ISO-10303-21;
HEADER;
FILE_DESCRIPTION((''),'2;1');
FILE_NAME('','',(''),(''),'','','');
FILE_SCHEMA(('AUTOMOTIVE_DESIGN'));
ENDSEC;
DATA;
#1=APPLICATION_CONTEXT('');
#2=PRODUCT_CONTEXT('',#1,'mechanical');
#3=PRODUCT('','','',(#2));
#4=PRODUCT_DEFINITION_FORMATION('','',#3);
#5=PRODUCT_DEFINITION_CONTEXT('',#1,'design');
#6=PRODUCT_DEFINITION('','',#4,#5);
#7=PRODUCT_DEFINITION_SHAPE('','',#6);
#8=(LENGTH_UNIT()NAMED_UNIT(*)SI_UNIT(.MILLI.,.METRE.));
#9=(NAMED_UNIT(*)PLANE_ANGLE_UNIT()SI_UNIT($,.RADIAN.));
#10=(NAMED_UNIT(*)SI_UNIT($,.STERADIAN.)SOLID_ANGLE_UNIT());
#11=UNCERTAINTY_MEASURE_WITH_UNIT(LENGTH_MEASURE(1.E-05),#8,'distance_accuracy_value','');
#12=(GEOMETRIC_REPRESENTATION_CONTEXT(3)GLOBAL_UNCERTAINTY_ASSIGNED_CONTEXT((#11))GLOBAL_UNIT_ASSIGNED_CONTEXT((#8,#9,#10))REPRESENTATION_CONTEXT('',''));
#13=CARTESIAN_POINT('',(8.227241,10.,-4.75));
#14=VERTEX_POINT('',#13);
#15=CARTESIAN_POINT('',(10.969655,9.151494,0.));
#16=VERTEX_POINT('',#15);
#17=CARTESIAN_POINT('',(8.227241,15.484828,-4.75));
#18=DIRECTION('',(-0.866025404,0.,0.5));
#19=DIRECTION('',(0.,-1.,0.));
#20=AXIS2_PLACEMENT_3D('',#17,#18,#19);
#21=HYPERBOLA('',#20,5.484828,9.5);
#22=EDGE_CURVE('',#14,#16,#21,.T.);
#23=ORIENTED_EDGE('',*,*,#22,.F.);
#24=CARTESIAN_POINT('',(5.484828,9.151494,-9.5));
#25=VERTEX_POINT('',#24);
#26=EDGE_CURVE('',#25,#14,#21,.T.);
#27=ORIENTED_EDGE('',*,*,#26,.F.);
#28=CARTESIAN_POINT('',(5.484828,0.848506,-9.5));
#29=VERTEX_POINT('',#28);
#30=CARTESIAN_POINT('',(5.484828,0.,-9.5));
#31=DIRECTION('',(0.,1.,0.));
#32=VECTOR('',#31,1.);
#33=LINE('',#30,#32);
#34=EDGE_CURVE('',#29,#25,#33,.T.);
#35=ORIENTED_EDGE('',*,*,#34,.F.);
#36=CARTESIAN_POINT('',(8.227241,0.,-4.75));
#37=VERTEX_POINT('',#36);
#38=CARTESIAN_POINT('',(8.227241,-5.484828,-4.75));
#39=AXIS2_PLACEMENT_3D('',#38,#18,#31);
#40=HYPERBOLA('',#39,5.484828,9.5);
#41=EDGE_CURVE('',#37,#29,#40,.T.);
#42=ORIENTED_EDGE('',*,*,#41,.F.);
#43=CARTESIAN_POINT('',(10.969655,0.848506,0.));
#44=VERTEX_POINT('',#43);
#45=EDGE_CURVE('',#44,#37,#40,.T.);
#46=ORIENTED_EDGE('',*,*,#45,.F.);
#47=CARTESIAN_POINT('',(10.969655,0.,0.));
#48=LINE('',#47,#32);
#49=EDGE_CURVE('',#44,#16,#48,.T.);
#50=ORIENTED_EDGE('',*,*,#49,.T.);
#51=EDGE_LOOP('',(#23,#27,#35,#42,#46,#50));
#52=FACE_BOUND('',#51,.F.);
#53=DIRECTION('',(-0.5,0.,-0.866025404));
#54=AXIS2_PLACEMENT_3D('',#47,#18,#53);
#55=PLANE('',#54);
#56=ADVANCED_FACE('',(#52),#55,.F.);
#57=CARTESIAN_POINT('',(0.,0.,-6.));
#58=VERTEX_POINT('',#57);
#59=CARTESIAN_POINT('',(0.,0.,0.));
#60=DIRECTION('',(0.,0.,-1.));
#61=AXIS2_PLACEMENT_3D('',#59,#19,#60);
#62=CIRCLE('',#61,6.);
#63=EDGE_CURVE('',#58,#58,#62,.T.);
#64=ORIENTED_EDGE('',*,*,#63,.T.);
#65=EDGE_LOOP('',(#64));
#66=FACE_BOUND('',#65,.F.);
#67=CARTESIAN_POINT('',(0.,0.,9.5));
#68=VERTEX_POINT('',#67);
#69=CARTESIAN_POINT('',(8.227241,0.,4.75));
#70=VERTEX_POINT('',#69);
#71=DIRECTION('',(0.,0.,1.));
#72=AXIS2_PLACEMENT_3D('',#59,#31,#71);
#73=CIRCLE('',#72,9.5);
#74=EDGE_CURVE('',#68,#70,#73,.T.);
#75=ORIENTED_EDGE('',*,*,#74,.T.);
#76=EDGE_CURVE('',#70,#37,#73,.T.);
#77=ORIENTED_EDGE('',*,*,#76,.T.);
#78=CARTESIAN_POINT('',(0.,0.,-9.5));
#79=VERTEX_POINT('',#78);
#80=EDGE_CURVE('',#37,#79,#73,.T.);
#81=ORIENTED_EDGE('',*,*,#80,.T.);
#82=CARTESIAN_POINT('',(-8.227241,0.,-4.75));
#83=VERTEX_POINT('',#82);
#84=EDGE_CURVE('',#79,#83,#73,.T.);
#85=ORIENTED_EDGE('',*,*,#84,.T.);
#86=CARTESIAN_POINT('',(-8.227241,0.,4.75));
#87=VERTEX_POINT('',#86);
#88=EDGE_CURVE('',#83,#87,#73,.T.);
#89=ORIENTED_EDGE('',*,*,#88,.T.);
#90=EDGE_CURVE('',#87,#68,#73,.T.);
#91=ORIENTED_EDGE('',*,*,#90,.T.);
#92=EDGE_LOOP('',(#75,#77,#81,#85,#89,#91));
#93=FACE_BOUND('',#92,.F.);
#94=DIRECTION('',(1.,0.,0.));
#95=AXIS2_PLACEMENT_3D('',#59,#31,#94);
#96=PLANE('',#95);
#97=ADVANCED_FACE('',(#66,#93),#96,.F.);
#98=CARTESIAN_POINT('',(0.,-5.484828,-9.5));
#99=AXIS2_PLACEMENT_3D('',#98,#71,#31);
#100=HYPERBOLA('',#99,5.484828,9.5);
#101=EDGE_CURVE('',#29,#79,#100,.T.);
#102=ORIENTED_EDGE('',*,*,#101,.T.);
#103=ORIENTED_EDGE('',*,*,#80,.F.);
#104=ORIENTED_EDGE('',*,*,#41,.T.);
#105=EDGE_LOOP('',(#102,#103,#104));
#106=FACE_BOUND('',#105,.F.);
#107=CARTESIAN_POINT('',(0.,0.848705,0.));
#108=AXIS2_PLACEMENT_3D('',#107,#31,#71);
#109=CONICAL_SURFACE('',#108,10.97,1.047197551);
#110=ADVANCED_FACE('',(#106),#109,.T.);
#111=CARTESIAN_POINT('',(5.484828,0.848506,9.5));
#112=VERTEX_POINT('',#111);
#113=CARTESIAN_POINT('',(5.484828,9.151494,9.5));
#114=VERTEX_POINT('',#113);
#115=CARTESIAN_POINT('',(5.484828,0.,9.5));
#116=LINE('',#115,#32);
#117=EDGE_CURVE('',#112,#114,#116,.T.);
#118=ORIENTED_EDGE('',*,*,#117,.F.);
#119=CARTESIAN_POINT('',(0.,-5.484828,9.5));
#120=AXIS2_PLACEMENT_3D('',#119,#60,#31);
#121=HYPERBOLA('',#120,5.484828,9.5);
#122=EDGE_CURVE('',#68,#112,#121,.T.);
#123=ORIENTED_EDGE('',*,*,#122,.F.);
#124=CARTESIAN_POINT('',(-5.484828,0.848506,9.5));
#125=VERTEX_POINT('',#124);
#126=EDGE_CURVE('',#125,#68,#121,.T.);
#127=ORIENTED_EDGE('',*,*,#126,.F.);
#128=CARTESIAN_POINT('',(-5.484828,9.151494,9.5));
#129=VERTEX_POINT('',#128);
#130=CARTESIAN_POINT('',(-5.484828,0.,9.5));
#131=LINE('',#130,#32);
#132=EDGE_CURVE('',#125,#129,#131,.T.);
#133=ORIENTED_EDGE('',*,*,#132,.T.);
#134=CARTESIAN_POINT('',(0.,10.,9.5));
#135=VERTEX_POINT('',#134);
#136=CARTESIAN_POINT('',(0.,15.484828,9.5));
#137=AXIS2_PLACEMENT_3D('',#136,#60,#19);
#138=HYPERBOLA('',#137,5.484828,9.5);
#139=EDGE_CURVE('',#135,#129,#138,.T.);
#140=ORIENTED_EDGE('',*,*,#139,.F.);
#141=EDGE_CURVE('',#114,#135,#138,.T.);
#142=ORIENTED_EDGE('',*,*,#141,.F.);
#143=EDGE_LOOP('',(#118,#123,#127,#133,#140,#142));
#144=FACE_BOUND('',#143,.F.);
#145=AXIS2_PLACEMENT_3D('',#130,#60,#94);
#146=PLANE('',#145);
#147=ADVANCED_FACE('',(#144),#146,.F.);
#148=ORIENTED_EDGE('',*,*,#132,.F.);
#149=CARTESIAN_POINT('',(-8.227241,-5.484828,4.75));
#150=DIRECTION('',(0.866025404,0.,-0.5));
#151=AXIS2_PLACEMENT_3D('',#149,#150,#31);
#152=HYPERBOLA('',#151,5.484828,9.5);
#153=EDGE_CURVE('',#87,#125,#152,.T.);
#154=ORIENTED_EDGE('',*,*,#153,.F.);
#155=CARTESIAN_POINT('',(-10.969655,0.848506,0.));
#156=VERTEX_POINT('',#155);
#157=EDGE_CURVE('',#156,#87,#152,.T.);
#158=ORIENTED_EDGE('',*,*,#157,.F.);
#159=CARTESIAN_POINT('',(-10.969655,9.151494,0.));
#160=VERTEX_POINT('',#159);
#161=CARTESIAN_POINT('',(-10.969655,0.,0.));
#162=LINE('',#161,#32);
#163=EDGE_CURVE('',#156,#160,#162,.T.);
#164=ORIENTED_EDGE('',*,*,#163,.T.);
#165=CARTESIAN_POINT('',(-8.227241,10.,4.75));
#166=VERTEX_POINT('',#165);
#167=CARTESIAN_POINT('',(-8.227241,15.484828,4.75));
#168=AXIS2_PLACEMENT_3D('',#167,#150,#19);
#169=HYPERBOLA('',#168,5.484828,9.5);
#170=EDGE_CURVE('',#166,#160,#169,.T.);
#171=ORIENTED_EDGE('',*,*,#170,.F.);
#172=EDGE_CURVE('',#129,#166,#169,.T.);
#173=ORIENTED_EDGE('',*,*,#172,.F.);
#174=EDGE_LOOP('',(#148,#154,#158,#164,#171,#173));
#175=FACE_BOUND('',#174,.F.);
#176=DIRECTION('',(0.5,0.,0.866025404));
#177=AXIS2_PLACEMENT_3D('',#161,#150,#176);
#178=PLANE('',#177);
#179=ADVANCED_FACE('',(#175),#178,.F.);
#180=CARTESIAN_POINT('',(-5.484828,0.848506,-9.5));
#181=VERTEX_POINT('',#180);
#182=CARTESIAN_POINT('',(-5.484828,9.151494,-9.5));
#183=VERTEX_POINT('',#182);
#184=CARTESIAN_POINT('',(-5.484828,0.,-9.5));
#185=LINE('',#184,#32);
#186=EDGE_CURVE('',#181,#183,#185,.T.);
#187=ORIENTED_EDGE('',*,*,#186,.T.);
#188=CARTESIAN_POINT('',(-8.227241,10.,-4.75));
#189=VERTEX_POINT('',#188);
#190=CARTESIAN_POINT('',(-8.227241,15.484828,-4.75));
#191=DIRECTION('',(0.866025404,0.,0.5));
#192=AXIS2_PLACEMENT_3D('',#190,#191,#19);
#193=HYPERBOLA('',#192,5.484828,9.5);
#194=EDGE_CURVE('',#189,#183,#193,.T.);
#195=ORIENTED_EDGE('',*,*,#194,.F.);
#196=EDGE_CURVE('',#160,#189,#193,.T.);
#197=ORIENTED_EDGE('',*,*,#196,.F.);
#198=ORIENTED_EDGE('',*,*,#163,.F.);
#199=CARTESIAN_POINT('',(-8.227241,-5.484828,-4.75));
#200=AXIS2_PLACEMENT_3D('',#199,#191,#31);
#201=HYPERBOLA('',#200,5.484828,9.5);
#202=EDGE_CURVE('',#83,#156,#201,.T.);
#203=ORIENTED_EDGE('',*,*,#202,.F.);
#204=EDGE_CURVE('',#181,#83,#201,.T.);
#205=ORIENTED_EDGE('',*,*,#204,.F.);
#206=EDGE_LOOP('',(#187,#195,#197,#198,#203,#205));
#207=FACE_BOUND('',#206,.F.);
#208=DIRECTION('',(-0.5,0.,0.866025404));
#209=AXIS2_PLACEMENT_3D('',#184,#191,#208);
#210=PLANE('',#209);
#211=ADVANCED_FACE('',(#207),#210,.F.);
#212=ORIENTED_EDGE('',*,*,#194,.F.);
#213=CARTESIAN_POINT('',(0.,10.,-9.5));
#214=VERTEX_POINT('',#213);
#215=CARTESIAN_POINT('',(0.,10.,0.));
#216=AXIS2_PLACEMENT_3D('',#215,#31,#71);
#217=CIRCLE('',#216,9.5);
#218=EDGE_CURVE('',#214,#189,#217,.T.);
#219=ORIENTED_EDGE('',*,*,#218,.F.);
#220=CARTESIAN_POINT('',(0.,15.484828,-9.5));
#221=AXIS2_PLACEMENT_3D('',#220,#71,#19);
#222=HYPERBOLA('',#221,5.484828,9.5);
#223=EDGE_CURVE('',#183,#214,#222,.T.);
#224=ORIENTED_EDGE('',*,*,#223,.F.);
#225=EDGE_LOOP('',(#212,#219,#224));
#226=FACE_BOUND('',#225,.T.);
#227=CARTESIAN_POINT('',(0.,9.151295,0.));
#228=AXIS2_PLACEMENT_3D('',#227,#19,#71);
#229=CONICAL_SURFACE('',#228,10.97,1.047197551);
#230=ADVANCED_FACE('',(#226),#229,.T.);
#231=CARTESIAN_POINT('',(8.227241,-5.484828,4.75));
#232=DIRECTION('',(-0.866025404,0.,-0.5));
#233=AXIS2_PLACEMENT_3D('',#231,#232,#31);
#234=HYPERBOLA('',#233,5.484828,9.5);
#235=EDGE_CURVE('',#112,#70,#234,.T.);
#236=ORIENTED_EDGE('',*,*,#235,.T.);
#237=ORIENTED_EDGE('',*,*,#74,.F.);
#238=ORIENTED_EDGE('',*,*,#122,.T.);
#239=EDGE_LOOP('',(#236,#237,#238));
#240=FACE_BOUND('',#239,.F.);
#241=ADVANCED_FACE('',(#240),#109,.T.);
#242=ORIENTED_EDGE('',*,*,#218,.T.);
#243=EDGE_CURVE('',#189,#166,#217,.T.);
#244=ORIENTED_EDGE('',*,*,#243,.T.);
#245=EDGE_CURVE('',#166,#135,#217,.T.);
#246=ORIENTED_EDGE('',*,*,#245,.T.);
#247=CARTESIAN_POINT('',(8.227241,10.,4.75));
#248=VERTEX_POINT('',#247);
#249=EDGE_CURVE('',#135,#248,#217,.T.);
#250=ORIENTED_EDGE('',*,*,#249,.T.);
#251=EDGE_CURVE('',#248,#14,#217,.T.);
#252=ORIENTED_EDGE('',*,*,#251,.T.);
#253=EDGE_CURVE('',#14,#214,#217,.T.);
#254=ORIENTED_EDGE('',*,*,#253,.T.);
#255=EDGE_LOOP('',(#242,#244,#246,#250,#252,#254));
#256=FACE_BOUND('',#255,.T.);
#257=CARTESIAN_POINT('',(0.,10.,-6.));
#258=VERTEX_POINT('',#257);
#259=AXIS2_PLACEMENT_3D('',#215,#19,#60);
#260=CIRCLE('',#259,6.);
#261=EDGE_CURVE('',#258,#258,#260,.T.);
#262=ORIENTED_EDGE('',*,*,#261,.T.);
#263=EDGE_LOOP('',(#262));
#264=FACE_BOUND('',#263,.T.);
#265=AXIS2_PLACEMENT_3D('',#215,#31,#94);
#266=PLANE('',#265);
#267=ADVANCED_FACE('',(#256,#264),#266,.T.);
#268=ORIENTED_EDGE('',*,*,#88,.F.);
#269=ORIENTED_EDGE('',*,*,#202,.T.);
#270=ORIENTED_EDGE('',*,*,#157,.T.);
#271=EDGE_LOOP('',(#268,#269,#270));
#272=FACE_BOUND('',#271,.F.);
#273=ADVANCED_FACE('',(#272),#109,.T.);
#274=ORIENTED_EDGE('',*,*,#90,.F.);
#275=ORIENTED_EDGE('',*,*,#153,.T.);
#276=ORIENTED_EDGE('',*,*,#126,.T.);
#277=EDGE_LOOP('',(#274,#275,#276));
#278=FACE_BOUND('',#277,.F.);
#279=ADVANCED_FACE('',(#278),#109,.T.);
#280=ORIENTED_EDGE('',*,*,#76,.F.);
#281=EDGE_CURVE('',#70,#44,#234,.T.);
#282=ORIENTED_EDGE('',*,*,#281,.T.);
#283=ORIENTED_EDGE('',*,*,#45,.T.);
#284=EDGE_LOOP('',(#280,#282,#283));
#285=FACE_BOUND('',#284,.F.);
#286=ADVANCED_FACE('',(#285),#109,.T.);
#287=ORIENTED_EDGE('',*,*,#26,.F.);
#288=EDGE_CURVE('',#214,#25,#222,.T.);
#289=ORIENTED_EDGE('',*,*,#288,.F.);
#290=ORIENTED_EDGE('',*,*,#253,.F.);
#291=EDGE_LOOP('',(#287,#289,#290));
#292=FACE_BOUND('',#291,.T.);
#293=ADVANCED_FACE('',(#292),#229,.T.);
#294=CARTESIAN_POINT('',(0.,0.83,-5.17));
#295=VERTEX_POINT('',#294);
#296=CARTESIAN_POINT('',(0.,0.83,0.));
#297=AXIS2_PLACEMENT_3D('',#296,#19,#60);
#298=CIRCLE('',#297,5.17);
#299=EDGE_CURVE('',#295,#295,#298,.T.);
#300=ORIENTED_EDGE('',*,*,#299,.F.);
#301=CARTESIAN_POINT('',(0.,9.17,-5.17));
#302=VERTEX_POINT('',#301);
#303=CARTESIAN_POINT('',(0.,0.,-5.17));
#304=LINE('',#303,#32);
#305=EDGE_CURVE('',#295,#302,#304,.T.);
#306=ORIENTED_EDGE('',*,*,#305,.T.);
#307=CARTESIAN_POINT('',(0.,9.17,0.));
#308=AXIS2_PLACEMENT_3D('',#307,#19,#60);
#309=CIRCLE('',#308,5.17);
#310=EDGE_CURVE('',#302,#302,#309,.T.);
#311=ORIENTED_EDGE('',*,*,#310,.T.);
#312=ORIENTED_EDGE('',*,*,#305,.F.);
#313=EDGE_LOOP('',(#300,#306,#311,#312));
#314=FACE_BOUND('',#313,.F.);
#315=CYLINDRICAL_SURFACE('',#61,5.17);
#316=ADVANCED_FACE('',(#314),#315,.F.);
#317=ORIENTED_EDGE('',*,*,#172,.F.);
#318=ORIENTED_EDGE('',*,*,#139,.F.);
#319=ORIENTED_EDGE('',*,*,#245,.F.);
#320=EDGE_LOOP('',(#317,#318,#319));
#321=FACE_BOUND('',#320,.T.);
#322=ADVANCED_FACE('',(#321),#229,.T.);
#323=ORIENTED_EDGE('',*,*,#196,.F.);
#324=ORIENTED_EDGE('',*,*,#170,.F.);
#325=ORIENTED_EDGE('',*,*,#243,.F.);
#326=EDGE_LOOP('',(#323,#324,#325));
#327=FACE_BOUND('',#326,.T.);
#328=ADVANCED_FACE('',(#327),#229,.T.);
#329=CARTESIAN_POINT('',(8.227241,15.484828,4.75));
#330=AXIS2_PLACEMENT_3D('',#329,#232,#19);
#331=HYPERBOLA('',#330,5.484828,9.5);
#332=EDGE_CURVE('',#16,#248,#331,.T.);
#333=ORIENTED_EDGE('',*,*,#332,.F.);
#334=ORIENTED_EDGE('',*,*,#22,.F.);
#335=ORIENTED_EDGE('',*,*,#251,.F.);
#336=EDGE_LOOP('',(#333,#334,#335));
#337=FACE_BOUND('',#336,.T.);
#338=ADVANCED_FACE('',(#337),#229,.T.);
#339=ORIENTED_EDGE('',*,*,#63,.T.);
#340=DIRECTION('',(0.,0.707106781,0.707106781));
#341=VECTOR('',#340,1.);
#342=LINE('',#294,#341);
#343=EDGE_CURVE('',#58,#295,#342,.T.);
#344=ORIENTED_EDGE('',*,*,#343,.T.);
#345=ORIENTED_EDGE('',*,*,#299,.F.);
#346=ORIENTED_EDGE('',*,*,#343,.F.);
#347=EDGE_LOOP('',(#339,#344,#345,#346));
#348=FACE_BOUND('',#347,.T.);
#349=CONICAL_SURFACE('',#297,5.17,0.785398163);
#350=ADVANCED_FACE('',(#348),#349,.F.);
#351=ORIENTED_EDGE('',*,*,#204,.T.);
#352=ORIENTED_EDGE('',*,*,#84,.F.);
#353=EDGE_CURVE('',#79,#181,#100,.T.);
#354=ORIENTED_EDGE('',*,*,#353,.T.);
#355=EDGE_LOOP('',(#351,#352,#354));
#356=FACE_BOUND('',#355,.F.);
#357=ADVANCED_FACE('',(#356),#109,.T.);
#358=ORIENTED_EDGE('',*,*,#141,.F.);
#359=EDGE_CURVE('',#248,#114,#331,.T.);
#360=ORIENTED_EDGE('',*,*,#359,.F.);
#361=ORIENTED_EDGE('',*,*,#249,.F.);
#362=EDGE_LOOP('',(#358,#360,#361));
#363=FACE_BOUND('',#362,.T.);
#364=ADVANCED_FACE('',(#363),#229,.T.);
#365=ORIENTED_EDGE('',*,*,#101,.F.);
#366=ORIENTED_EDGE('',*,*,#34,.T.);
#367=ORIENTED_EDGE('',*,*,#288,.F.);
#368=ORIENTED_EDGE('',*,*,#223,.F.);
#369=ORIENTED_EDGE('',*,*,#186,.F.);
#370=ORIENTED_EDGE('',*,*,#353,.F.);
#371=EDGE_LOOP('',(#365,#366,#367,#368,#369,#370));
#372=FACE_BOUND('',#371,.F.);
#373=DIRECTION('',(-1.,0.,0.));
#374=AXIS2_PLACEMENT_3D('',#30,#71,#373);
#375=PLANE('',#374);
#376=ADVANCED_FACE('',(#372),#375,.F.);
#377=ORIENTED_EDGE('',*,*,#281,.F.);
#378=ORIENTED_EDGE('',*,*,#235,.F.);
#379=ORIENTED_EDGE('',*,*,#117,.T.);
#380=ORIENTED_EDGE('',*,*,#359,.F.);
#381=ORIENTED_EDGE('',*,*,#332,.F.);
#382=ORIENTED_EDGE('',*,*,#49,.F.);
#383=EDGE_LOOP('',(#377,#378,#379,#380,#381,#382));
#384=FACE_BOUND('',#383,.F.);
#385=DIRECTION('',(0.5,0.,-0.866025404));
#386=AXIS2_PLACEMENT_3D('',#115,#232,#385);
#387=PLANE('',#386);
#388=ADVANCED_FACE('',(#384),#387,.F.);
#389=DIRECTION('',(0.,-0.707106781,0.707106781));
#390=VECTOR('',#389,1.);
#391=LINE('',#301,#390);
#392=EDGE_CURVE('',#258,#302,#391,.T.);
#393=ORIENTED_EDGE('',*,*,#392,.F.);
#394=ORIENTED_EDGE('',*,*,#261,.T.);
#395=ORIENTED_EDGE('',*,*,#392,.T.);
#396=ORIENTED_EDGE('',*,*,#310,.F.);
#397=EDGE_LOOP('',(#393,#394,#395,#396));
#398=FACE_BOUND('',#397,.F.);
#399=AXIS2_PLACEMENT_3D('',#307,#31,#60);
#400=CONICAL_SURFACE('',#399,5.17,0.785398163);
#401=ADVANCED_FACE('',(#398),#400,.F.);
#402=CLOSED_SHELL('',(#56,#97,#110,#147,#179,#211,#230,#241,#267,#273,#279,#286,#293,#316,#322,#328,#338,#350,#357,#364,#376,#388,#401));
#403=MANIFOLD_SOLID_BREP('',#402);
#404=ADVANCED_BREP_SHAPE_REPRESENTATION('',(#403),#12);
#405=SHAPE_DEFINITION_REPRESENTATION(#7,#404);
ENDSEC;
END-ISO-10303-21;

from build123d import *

# Parameters (mm, degrees)
EXTRUDE_1_DEPTH     = 10
SKETCH_4_R          = 5.17
CUT_EXTRUDE_1_DEPTH = 10
CHAMFER_1_SIZE      = 0.83


with BuildPart() as part:
    # Эскиз1 → Бобышка-Вытянуть1 (new body)
    with BuildSketch(Plane(origin=(0, 0, 0), x_dir=(1, 0, 0), z_dir=(0, 1, 0))):
        Polygon((-5.484827557, 9.5), (-10.969655115, 0), (-5.484827557, -9.5), (5.484827557, -9.5), (10.969655115, 0), (5.484827557, 9.5), align=None)
    extrude(amount=EXTRUDE_1_DEPTH)

    # Эскиз2 → Вырез-Повернуть1 (revolve, cut)
    with BuildSketch(Plane(origin=(0, 0, 0), x_dir=(0, 0, -1), z_dir=(1, 0, 0))):
        Polygon((-9.5, 10), (-10.97, 10), (-10.97, 9.151295104), align=None)
        Polygon((-9.5, 0), (-10.97, 0), (-10.97, 0.848704896), align=None)
    revolve(axis=Axis((0, -1000, 0), (0, 1, 0)), mode=Mode.SUBTRACT)

    # Эскиз4 → Вырез-Вытянуть1 (cut)
    with BuildSketch(Plane.XZ):
        with Locations(Location((0, 0, 0), (0, 0, 270))):
            Circle(SKETCH_4_R)
    extrude(amount=-CUT_EXTRUDE_1_DEPTH, mode=Mode.SUBTRACT)

    # Фаска1
    chamfer_1_edges = [part.edges().sort_by_distance(p)[0] for p in [
        (0, 10, 5.17),
        (0, 0, 5.17),
    ]]
    chamfer(chamfer_1_edges, length=CHAMFER_1_SIZE)


solid = part.part
